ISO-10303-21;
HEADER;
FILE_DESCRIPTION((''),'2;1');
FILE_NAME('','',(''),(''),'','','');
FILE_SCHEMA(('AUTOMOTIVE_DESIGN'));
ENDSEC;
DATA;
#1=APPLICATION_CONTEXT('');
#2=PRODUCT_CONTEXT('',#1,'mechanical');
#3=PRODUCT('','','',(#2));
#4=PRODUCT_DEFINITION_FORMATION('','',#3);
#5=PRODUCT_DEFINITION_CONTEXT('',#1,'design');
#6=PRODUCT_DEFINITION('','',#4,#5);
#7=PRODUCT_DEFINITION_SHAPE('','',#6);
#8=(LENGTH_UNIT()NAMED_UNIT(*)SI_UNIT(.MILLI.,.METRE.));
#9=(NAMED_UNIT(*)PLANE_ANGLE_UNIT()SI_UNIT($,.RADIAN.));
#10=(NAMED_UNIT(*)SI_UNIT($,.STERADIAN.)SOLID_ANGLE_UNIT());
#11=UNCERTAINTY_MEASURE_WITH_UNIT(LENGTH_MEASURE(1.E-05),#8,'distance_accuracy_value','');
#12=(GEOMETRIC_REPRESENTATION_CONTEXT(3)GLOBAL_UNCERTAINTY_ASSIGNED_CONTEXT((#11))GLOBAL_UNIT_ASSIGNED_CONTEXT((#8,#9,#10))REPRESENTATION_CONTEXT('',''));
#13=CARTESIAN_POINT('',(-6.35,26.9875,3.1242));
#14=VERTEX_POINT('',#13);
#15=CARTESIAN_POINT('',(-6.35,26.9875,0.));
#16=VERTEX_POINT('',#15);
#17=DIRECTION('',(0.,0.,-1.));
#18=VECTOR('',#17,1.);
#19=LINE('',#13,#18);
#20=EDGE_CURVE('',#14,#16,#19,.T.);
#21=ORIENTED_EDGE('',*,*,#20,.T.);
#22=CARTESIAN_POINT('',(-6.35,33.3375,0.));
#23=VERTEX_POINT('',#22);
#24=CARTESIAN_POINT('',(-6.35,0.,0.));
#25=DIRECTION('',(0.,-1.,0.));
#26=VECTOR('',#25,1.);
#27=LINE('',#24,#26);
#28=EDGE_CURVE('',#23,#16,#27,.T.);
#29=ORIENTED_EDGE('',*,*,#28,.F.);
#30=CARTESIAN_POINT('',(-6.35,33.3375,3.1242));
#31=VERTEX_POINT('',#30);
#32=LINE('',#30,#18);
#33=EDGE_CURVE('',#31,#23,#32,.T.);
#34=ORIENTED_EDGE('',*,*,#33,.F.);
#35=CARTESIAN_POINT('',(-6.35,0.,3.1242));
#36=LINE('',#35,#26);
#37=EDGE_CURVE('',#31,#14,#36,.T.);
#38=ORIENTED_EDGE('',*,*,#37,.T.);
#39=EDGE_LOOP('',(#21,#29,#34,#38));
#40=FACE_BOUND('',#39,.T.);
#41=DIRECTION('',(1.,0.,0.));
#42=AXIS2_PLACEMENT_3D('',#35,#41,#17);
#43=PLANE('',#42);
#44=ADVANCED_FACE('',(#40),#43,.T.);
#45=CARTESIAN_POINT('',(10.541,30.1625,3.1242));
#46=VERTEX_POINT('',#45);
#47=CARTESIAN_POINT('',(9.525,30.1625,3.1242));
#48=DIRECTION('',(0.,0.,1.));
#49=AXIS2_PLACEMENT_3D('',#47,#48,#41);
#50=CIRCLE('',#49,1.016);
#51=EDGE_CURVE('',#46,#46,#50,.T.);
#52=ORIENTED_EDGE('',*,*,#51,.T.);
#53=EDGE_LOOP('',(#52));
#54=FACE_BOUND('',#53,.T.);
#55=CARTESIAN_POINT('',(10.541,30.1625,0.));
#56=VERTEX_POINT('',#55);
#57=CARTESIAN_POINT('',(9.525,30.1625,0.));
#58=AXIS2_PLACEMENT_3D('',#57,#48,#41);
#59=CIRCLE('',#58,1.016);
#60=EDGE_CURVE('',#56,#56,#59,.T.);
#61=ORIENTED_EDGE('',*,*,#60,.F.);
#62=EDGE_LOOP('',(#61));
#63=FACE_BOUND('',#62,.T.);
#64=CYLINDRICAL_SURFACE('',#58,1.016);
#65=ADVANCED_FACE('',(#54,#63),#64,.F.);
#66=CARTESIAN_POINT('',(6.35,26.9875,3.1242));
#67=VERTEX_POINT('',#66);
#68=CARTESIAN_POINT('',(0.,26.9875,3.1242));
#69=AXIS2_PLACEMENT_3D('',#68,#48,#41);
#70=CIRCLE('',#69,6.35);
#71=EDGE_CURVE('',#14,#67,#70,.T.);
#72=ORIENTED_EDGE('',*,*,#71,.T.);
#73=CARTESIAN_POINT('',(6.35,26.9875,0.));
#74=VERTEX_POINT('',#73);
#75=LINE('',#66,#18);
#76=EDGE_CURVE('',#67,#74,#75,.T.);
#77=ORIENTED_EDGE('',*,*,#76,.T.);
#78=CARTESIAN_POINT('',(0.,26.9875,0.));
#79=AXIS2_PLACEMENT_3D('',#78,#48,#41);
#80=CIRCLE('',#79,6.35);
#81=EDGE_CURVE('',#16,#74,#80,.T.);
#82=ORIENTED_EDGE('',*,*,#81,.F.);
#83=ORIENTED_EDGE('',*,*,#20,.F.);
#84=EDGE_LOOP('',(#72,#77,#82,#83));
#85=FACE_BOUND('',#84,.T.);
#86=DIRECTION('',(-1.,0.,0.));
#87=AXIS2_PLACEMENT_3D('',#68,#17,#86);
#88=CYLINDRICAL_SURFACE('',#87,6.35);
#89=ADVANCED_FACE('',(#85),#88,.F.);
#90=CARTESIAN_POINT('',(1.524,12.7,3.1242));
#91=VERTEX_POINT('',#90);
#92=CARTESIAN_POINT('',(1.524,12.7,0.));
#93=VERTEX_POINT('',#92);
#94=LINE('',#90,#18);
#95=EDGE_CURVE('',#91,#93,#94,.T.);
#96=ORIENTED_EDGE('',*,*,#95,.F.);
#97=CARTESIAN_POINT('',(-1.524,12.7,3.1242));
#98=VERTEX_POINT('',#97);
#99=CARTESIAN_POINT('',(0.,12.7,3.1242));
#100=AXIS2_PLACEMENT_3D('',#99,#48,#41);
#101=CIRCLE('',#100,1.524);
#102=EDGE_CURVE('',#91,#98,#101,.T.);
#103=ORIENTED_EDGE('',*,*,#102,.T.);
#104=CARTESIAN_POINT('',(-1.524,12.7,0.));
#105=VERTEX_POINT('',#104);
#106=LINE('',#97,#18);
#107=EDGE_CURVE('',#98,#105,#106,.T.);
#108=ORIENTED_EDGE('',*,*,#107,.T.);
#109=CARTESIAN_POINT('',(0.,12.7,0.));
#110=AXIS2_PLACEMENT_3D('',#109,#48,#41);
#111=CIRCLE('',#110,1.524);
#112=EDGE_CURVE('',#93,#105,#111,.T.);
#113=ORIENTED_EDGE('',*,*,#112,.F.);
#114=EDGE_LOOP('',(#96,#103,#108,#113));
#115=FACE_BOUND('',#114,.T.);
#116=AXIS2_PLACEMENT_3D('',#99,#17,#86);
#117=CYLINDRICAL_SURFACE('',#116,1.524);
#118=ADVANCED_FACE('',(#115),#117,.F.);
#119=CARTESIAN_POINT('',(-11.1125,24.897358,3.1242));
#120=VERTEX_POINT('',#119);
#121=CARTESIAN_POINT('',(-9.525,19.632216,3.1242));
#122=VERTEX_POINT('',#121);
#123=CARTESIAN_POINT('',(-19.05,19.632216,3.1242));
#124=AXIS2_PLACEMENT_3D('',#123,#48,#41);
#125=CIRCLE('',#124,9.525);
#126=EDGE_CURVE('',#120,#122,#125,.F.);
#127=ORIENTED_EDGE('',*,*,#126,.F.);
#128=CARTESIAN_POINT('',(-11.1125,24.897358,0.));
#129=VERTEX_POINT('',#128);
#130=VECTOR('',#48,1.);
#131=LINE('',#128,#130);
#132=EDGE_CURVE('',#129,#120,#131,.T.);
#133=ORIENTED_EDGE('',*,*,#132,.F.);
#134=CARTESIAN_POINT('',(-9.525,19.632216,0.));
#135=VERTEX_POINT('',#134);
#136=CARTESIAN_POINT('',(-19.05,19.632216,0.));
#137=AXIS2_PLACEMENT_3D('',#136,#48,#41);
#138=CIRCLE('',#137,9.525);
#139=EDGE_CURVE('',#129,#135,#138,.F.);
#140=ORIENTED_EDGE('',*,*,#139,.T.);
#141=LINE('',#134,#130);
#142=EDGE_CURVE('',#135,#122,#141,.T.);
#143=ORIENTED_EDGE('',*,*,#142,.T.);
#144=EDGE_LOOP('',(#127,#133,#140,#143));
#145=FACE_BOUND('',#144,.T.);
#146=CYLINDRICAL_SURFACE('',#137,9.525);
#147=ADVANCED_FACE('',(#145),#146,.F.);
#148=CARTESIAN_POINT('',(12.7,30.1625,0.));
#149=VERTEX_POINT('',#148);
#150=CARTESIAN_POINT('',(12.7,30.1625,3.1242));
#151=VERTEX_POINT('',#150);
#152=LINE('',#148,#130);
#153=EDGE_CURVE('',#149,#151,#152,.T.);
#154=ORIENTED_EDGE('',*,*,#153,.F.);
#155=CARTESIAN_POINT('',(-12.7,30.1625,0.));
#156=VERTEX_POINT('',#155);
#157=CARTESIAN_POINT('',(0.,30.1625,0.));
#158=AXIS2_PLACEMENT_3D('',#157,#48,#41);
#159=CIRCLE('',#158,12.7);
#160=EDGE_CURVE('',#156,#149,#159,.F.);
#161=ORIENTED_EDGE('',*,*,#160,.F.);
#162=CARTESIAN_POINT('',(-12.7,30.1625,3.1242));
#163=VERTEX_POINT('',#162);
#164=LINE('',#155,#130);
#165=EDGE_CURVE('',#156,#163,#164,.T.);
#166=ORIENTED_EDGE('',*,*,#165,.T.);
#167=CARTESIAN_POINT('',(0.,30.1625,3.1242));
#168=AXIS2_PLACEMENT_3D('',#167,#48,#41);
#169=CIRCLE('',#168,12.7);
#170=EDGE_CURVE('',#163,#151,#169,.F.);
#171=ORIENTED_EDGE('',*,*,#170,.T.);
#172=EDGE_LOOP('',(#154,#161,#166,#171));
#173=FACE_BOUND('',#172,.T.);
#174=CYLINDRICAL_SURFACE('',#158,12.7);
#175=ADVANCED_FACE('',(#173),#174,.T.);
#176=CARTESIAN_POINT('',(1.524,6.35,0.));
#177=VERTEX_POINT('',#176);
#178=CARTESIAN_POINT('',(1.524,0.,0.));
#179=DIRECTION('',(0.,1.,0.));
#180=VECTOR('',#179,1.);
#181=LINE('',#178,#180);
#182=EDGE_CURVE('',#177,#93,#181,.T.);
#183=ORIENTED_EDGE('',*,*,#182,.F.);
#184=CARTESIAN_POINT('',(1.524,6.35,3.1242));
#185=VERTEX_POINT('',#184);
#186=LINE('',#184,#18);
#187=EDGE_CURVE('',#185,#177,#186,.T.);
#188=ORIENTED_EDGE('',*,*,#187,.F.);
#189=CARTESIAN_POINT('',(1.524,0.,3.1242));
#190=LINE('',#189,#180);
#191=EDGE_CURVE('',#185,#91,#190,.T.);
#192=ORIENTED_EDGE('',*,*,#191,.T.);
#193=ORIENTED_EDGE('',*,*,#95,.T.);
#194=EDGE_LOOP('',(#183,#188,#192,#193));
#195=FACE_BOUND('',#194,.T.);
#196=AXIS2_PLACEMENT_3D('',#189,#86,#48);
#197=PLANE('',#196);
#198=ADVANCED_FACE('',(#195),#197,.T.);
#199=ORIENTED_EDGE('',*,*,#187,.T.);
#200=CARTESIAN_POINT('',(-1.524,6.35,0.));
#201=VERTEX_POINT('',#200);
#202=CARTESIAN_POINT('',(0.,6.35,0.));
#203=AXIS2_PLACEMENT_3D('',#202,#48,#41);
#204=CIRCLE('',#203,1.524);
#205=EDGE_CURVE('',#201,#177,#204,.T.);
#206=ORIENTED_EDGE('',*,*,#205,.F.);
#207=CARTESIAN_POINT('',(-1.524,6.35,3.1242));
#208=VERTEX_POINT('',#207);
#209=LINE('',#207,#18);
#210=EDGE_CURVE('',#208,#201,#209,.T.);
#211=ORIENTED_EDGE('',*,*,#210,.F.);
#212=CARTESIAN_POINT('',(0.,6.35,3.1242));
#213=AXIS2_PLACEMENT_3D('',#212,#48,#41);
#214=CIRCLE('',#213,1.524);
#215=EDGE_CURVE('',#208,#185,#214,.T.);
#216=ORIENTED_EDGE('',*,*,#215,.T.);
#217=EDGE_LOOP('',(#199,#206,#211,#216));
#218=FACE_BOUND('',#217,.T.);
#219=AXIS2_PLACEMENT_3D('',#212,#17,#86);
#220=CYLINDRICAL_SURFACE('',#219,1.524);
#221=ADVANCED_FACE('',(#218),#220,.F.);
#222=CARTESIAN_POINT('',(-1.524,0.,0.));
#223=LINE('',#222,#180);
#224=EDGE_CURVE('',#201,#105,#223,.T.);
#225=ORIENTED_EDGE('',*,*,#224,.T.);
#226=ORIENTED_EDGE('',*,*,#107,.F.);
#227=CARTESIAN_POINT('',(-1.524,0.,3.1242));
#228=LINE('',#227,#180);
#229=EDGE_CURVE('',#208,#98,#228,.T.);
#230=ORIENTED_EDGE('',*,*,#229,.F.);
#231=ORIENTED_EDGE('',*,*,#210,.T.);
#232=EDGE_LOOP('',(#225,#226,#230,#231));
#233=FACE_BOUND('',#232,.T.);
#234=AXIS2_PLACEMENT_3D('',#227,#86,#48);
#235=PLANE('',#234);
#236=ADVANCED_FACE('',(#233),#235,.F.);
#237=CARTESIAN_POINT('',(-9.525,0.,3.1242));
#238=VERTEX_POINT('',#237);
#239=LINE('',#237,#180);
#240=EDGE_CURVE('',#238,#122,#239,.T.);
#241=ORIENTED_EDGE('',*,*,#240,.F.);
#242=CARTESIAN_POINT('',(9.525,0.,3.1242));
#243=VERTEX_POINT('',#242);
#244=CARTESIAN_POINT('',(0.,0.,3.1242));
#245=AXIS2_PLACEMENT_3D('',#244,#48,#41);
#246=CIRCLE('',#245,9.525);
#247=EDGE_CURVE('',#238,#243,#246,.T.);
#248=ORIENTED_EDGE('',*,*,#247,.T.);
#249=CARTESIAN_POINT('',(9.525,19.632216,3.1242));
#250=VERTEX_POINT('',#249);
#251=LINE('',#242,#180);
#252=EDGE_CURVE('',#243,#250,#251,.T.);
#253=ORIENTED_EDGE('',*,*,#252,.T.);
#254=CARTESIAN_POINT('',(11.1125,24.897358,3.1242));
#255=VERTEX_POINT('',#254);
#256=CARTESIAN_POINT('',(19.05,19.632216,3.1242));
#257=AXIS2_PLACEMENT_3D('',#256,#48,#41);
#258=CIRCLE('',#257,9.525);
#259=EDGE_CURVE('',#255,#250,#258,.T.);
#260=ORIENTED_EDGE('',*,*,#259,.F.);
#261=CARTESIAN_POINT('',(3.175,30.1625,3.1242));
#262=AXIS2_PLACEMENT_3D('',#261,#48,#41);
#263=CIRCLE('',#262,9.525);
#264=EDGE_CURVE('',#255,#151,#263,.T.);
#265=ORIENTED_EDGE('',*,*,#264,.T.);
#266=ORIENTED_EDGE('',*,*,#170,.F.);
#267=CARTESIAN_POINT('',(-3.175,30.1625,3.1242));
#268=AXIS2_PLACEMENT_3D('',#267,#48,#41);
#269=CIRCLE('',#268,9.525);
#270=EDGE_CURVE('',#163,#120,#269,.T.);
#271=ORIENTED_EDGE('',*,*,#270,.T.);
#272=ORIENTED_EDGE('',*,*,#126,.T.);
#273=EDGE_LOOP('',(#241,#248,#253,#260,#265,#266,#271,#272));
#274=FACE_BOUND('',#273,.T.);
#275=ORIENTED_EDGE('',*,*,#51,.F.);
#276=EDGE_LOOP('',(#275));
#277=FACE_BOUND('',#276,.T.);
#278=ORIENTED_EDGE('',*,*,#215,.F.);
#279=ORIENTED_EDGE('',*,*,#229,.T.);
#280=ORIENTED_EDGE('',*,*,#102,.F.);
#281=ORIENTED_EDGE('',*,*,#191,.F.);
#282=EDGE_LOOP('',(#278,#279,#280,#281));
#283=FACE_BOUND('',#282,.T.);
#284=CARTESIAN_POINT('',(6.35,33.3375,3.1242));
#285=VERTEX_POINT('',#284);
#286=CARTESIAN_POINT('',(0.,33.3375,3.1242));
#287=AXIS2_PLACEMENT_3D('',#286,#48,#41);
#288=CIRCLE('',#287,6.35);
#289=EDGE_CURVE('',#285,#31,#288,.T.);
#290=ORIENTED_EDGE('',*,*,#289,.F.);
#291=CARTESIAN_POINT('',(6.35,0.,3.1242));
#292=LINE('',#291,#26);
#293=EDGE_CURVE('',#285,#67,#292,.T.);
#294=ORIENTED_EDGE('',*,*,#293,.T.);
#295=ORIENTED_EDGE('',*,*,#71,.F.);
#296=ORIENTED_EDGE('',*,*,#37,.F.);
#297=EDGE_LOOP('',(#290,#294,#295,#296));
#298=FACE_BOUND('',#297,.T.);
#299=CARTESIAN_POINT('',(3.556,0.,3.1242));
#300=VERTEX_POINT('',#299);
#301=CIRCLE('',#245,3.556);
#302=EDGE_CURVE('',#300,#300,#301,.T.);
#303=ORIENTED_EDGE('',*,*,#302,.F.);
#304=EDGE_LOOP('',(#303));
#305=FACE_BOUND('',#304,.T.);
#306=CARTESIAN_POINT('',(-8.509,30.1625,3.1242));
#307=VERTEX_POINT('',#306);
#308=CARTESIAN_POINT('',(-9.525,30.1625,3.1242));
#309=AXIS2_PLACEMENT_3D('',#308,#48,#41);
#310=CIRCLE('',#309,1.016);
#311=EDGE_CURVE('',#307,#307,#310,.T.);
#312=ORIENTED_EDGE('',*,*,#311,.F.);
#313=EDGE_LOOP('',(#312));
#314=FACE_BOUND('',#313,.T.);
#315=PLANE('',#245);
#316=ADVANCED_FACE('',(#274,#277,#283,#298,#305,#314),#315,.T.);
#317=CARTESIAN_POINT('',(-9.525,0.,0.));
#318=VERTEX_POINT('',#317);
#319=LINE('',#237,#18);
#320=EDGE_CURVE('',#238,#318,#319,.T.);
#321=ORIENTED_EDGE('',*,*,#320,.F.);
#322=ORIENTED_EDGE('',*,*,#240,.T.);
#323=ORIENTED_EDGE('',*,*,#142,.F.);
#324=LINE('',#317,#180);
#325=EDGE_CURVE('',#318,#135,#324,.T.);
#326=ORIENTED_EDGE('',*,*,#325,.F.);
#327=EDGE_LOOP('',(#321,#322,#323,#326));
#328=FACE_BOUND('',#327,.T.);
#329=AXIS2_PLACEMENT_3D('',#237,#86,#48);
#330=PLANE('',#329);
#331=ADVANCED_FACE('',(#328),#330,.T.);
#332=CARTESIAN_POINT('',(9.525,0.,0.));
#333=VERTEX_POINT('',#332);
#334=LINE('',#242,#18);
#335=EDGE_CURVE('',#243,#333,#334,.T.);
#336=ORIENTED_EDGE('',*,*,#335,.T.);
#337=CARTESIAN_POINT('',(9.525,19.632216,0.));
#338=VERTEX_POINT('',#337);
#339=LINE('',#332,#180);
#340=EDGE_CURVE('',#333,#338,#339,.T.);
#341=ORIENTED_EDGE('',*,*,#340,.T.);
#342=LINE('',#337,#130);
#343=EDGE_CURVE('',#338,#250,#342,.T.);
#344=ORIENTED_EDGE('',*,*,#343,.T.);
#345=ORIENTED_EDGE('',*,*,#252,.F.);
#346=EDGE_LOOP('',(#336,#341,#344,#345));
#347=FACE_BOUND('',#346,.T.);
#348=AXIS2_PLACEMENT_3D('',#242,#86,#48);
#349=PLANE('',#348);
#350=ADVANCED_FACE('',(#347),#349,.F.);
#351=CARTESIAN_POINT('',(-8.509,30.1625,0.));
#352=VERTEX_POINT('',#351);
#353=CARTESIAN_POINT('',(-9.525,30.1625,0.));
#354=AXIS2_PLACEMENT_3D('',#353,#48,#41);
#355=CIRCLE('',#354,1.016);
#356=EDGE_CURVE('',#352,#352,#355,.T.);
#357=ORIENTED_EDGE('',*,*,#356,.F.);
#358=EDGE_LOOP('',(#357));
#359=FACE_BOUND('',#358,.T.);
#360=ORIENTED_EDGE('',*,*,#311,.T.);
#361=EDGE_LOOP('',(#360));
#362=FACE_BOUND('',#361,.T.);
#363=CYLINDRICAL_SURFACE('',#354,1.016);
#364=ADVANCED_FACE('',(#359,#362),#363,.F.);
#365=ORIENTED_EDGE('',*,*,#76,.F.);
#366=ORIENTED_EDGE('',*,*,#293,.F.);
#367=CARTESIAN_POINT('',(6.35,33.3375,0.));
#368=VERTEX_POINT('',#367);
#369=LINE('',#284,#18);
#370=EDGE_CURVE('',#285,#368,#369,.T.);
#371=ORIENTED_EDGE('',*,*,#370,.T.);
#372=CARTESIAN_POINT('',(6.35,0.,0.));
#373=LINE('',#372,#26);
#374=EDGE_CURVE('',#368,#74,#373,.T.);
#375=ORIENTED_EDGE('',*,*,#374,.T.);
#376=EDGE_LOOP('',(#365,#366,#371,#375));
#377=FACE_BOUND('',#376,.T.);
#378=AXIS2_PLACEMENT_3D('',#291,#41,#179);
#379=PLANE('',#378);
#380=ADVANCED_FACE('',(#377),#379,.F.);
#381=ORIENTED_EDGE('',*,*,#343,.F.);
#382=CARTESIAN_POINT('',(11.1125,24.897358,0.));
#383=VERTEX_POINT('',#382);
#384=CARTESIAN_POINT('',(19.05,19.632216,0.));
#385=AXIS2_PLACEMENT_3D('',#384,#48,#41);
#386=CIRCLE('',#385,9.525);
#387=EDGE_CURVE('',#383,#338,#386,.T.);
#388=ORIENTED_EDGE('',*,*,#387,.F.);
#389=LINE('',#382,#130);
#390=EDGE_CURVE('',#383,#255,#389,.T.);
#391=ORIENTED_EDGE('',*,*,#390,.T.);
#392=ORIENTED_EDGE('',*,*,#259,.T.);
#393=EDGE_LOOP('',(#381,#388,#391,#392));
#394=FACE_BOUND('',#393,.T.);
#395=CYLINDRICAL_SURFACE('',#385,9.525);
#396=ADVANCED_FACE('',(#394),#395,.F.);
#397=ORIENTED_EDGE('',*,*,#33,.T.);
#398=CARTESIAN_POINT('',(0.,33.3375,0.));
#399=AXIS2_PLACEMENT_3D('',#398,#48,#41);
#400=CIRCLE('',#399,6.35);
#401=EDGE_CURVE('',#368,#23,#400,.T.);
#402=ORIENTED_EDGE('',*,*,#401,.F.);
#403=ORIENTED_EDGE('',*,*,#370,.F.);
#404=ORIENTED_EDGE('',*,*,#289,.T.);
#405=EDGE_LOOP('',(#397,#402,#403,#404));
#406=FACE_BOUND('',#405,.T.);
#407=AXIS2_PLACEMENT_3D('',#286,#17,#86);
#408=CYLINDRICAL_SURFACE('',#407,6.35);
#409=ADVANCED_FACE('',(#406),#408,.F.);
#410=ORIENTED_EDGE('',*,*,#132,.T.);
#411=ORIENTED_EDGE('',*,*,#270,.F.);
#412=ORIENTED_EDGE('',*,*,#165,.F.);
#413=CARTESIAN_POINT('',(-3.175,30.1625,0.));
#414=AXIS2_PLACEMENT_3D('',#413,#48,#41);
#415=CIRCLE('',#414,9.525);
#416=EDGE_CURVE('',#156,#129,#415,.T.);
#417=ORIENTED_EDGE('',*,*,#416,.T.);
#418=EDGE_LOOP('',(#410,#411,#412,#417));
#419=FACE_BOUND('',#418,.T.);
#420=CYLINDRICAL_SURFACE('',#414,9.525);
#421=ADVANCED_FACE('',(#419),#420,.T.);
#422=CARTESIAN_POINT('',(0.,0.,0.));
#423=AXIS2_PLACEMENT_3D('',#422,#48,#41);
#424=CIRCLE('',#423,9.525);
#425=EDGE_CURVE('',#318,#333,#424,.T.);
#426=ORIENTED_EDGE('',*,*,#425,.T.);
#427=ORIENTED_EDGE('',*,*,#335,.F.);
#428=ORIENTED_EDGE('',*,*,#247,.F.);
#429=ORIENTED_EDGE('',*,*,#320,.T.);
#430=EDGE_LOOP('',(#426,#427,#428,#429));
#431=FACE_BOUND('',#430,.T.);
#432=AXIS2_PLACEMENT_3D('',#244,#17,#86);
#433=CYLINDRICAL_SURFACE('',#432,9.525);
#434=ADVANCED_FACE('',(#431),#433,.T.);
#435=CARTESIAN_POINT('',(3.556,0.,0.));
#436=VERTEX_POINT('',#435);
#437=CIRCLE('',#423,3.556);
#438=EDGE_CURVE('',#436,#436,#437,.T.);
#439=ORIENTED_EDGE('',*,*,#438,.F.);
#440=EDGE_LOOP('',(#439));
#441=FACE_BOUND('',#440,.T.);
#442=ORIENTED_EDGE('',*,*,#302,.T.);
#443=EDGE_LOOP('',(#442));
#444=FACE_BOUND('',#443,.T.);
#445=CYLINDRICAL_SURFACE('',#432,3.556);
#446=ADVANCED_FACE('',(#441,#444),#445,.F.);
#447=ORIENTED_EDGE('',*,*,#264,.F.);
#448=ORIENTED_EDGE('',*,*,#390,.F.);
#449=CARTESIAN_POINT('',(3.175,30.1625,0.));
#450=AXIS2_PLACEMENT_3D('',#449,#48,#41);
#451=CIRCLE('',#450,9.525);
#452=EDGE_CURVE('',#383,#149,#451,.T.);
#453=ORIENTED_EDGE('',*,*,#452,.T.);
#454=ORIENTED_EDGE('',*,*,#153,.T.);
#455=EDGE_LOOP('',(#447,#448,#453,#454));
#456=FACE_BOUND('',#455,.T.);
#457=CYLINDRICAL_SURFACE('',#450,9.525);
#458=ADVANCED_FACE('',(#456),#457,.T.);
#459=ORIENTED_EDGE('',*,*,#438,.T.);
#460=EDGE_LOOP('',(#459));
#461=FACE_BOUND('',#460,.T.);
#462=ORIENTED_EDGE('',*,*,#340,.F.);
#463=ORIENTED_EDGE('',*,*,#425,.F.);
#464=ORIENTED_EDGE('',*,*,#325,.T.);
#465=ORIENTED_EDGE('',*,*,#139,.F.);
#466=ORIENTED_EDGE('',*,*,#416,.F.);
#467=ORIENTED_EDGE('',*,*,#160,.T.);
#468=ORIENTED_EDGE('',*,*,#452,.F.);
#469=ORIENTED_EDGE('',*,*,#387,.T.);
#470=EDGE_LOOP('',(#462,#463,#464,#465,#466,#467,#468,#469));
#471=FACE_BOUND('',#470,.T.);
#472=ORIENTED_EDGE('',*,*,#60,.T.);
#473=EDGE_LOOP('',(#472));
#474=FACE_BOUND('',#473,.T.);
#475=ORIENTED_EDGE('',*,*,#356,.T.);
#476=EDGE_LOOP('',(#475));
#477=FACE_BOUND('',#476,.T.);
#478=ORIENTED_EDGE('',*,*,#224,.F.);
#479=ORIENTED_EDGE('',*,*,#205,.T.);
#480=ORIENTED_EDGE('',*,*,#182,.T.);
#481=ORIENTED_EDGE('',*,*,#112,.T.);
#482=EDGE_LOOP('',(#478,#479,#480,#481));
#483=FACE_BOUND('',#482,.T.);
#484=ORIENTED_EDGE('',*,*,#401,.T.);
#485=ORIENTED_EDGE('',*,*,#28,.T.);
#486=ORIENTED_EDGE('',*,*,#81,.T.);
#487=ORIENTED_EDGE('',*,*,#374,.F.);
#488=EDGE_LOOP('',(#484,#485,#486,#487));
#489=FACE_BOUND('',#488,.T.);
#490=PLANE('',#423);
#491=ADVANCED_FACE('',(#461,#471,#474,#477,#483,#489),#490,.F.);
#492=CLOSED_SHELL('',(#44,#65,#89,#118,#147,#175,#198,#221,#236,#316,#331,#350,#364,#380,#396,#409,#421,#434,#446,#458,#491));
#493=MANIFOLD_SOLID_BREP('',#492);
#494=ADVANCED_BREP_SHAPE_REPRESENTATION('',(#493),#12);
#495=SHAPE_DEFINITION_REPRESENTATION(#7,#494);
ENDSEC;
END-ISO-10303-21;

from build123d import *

# Parameters (mm, degrees)
CROQUIS1_R              = 3.556
SALIENTE_EXTRUIR1_DEPTH = 3.1242
SALIENTE_EXTRUIR3_START = -3.1242
SALIENTE_EXTRUIR3_DEPTH = 3.1242
CROQUIS3_R              = 1.016
CORTAR_EXTRUIR1_DEPTH   = 45.81344142


with BuildPart() as part:
    # Croquis1 → Saliente-Extruir1 (new body)
    with BuildSketch(Plane.XY):
        with BuildLine():
            Line((9.525, 0), (9.525, 33.3375))
            ThreePointArc((9.525, 33.3375), (0, 42.8625), (-9.525, 33.3375))
            Line((-9.525, 33.3375), (-9.525, 0))
            ThreePointArc((-9.525, 0), (0, -9.525), (9.525, 0))
        make_face()
        Circle(CROQUIS1_R, mode=Mode.SUBTRACT)
        with BuildLine():
            ThreePointArc((-6.35, 26.9875), (0, 20.6375), (6.35, 26.9875))
            Line((6.35, 26.9875), (6.35, 33.3375))
            ThreePointArc((6.35, 33.3375), (0, 39.6875), (-6.35, 33.3375))
            Line((-6.35, 33.3375), (-6.35, 26.9875))
        make_face(mode=Mode.SUBTRACT)
        with BuildLine():
            ThreePointArc((1.524, 12.7), (0, 14.224), (-1.524, 12.7))
            Line((-1.524, 12.7), (-1.524, 6.35))
            ThreePointArc((-1.524, 6.35), (0, 4.826), (1.524, 6.35))
            Line((1.524, 6.35), (1.524, 12.7))
        make_face(mode=Mode.SUBTRACT)
    extrude(amount=SALIENTE_EXTRUIR1_DEPTH)

    # Croquis2 → Saliente-Extruir3 (add)
    with BuildSketch(Plane.XY.offset(3.1242).offset(SALIENTE_EXTRUIR3_START)):
        with BuildLine():
            ThreePointArc((-9.525, 33.3375), (-6.735192091, 40.072692091), (0, 42.8625))
            ThreePointArc((0, 42.8625), (-8.980256121, 39.142756121), (-12.7, 30.1625))
            ThreePointArc((-12.7, 30.1625), (-12.294493201, 27.412869343), (-11.1125, 24.897358145))
            ThreePointArc((-11.1125, 24.897358145), (-9.930506799, 22.381846948), (-9.525, 19.632216291))
            Line((-9.525, 19.632216291), (-9.525, 29.1465))
            ThreePointArc((-9.525, 29.1465), (-10.541, 30.1625), (-9.525, 31.1785))
            Line((-9.525, 31.1785), (-9.525, 33.3375))
        make_face()
        with BuildLine():
            ThreePointArc((12.7, 30.1625), (8.980256121, 39.142756121), (0, 42.8625))
            ThreePointArc((0, 42.8625), (6.735192091, 40.072692091), (9.525, 33.3375))
            Line((9.525, 33.3375), (9.525, 31.1785))
            ThreePointArc((9.525, 31.1785), (10.541, 30.1625), (9.525, 29.1465))
            Line((9.525, 29.1465), (9.525, 19.632216291))
            ThreePointArc((9.525, 19.632216291), (9.930506799, 22.381846948), (11.1125, 24.897358145))
            ThreePointArc((11.1125, 24.897358145), (12.294493201, 27.412869343), (12.7, 30.1625))
        make_face()
    extrude(amount=SALIENTE_EXTRUIR3_DEPTH)

    # Croquis3 → Cortar-Extruir1 (cut, through all)
    with BuildSketch(Plane.XY.offset(3.1242)):
        with Locations((-9.525, 30.1625)):
            Circle(CROQUIS3_R)
        with Locations((9.525, 30.1625)):
            Circle(CROQUIS3_R)
    extrude(amount=-CORTAR_EXTRUIR1_DEPTH, mode=Mode.SUBTRACT)


solid = part.part
